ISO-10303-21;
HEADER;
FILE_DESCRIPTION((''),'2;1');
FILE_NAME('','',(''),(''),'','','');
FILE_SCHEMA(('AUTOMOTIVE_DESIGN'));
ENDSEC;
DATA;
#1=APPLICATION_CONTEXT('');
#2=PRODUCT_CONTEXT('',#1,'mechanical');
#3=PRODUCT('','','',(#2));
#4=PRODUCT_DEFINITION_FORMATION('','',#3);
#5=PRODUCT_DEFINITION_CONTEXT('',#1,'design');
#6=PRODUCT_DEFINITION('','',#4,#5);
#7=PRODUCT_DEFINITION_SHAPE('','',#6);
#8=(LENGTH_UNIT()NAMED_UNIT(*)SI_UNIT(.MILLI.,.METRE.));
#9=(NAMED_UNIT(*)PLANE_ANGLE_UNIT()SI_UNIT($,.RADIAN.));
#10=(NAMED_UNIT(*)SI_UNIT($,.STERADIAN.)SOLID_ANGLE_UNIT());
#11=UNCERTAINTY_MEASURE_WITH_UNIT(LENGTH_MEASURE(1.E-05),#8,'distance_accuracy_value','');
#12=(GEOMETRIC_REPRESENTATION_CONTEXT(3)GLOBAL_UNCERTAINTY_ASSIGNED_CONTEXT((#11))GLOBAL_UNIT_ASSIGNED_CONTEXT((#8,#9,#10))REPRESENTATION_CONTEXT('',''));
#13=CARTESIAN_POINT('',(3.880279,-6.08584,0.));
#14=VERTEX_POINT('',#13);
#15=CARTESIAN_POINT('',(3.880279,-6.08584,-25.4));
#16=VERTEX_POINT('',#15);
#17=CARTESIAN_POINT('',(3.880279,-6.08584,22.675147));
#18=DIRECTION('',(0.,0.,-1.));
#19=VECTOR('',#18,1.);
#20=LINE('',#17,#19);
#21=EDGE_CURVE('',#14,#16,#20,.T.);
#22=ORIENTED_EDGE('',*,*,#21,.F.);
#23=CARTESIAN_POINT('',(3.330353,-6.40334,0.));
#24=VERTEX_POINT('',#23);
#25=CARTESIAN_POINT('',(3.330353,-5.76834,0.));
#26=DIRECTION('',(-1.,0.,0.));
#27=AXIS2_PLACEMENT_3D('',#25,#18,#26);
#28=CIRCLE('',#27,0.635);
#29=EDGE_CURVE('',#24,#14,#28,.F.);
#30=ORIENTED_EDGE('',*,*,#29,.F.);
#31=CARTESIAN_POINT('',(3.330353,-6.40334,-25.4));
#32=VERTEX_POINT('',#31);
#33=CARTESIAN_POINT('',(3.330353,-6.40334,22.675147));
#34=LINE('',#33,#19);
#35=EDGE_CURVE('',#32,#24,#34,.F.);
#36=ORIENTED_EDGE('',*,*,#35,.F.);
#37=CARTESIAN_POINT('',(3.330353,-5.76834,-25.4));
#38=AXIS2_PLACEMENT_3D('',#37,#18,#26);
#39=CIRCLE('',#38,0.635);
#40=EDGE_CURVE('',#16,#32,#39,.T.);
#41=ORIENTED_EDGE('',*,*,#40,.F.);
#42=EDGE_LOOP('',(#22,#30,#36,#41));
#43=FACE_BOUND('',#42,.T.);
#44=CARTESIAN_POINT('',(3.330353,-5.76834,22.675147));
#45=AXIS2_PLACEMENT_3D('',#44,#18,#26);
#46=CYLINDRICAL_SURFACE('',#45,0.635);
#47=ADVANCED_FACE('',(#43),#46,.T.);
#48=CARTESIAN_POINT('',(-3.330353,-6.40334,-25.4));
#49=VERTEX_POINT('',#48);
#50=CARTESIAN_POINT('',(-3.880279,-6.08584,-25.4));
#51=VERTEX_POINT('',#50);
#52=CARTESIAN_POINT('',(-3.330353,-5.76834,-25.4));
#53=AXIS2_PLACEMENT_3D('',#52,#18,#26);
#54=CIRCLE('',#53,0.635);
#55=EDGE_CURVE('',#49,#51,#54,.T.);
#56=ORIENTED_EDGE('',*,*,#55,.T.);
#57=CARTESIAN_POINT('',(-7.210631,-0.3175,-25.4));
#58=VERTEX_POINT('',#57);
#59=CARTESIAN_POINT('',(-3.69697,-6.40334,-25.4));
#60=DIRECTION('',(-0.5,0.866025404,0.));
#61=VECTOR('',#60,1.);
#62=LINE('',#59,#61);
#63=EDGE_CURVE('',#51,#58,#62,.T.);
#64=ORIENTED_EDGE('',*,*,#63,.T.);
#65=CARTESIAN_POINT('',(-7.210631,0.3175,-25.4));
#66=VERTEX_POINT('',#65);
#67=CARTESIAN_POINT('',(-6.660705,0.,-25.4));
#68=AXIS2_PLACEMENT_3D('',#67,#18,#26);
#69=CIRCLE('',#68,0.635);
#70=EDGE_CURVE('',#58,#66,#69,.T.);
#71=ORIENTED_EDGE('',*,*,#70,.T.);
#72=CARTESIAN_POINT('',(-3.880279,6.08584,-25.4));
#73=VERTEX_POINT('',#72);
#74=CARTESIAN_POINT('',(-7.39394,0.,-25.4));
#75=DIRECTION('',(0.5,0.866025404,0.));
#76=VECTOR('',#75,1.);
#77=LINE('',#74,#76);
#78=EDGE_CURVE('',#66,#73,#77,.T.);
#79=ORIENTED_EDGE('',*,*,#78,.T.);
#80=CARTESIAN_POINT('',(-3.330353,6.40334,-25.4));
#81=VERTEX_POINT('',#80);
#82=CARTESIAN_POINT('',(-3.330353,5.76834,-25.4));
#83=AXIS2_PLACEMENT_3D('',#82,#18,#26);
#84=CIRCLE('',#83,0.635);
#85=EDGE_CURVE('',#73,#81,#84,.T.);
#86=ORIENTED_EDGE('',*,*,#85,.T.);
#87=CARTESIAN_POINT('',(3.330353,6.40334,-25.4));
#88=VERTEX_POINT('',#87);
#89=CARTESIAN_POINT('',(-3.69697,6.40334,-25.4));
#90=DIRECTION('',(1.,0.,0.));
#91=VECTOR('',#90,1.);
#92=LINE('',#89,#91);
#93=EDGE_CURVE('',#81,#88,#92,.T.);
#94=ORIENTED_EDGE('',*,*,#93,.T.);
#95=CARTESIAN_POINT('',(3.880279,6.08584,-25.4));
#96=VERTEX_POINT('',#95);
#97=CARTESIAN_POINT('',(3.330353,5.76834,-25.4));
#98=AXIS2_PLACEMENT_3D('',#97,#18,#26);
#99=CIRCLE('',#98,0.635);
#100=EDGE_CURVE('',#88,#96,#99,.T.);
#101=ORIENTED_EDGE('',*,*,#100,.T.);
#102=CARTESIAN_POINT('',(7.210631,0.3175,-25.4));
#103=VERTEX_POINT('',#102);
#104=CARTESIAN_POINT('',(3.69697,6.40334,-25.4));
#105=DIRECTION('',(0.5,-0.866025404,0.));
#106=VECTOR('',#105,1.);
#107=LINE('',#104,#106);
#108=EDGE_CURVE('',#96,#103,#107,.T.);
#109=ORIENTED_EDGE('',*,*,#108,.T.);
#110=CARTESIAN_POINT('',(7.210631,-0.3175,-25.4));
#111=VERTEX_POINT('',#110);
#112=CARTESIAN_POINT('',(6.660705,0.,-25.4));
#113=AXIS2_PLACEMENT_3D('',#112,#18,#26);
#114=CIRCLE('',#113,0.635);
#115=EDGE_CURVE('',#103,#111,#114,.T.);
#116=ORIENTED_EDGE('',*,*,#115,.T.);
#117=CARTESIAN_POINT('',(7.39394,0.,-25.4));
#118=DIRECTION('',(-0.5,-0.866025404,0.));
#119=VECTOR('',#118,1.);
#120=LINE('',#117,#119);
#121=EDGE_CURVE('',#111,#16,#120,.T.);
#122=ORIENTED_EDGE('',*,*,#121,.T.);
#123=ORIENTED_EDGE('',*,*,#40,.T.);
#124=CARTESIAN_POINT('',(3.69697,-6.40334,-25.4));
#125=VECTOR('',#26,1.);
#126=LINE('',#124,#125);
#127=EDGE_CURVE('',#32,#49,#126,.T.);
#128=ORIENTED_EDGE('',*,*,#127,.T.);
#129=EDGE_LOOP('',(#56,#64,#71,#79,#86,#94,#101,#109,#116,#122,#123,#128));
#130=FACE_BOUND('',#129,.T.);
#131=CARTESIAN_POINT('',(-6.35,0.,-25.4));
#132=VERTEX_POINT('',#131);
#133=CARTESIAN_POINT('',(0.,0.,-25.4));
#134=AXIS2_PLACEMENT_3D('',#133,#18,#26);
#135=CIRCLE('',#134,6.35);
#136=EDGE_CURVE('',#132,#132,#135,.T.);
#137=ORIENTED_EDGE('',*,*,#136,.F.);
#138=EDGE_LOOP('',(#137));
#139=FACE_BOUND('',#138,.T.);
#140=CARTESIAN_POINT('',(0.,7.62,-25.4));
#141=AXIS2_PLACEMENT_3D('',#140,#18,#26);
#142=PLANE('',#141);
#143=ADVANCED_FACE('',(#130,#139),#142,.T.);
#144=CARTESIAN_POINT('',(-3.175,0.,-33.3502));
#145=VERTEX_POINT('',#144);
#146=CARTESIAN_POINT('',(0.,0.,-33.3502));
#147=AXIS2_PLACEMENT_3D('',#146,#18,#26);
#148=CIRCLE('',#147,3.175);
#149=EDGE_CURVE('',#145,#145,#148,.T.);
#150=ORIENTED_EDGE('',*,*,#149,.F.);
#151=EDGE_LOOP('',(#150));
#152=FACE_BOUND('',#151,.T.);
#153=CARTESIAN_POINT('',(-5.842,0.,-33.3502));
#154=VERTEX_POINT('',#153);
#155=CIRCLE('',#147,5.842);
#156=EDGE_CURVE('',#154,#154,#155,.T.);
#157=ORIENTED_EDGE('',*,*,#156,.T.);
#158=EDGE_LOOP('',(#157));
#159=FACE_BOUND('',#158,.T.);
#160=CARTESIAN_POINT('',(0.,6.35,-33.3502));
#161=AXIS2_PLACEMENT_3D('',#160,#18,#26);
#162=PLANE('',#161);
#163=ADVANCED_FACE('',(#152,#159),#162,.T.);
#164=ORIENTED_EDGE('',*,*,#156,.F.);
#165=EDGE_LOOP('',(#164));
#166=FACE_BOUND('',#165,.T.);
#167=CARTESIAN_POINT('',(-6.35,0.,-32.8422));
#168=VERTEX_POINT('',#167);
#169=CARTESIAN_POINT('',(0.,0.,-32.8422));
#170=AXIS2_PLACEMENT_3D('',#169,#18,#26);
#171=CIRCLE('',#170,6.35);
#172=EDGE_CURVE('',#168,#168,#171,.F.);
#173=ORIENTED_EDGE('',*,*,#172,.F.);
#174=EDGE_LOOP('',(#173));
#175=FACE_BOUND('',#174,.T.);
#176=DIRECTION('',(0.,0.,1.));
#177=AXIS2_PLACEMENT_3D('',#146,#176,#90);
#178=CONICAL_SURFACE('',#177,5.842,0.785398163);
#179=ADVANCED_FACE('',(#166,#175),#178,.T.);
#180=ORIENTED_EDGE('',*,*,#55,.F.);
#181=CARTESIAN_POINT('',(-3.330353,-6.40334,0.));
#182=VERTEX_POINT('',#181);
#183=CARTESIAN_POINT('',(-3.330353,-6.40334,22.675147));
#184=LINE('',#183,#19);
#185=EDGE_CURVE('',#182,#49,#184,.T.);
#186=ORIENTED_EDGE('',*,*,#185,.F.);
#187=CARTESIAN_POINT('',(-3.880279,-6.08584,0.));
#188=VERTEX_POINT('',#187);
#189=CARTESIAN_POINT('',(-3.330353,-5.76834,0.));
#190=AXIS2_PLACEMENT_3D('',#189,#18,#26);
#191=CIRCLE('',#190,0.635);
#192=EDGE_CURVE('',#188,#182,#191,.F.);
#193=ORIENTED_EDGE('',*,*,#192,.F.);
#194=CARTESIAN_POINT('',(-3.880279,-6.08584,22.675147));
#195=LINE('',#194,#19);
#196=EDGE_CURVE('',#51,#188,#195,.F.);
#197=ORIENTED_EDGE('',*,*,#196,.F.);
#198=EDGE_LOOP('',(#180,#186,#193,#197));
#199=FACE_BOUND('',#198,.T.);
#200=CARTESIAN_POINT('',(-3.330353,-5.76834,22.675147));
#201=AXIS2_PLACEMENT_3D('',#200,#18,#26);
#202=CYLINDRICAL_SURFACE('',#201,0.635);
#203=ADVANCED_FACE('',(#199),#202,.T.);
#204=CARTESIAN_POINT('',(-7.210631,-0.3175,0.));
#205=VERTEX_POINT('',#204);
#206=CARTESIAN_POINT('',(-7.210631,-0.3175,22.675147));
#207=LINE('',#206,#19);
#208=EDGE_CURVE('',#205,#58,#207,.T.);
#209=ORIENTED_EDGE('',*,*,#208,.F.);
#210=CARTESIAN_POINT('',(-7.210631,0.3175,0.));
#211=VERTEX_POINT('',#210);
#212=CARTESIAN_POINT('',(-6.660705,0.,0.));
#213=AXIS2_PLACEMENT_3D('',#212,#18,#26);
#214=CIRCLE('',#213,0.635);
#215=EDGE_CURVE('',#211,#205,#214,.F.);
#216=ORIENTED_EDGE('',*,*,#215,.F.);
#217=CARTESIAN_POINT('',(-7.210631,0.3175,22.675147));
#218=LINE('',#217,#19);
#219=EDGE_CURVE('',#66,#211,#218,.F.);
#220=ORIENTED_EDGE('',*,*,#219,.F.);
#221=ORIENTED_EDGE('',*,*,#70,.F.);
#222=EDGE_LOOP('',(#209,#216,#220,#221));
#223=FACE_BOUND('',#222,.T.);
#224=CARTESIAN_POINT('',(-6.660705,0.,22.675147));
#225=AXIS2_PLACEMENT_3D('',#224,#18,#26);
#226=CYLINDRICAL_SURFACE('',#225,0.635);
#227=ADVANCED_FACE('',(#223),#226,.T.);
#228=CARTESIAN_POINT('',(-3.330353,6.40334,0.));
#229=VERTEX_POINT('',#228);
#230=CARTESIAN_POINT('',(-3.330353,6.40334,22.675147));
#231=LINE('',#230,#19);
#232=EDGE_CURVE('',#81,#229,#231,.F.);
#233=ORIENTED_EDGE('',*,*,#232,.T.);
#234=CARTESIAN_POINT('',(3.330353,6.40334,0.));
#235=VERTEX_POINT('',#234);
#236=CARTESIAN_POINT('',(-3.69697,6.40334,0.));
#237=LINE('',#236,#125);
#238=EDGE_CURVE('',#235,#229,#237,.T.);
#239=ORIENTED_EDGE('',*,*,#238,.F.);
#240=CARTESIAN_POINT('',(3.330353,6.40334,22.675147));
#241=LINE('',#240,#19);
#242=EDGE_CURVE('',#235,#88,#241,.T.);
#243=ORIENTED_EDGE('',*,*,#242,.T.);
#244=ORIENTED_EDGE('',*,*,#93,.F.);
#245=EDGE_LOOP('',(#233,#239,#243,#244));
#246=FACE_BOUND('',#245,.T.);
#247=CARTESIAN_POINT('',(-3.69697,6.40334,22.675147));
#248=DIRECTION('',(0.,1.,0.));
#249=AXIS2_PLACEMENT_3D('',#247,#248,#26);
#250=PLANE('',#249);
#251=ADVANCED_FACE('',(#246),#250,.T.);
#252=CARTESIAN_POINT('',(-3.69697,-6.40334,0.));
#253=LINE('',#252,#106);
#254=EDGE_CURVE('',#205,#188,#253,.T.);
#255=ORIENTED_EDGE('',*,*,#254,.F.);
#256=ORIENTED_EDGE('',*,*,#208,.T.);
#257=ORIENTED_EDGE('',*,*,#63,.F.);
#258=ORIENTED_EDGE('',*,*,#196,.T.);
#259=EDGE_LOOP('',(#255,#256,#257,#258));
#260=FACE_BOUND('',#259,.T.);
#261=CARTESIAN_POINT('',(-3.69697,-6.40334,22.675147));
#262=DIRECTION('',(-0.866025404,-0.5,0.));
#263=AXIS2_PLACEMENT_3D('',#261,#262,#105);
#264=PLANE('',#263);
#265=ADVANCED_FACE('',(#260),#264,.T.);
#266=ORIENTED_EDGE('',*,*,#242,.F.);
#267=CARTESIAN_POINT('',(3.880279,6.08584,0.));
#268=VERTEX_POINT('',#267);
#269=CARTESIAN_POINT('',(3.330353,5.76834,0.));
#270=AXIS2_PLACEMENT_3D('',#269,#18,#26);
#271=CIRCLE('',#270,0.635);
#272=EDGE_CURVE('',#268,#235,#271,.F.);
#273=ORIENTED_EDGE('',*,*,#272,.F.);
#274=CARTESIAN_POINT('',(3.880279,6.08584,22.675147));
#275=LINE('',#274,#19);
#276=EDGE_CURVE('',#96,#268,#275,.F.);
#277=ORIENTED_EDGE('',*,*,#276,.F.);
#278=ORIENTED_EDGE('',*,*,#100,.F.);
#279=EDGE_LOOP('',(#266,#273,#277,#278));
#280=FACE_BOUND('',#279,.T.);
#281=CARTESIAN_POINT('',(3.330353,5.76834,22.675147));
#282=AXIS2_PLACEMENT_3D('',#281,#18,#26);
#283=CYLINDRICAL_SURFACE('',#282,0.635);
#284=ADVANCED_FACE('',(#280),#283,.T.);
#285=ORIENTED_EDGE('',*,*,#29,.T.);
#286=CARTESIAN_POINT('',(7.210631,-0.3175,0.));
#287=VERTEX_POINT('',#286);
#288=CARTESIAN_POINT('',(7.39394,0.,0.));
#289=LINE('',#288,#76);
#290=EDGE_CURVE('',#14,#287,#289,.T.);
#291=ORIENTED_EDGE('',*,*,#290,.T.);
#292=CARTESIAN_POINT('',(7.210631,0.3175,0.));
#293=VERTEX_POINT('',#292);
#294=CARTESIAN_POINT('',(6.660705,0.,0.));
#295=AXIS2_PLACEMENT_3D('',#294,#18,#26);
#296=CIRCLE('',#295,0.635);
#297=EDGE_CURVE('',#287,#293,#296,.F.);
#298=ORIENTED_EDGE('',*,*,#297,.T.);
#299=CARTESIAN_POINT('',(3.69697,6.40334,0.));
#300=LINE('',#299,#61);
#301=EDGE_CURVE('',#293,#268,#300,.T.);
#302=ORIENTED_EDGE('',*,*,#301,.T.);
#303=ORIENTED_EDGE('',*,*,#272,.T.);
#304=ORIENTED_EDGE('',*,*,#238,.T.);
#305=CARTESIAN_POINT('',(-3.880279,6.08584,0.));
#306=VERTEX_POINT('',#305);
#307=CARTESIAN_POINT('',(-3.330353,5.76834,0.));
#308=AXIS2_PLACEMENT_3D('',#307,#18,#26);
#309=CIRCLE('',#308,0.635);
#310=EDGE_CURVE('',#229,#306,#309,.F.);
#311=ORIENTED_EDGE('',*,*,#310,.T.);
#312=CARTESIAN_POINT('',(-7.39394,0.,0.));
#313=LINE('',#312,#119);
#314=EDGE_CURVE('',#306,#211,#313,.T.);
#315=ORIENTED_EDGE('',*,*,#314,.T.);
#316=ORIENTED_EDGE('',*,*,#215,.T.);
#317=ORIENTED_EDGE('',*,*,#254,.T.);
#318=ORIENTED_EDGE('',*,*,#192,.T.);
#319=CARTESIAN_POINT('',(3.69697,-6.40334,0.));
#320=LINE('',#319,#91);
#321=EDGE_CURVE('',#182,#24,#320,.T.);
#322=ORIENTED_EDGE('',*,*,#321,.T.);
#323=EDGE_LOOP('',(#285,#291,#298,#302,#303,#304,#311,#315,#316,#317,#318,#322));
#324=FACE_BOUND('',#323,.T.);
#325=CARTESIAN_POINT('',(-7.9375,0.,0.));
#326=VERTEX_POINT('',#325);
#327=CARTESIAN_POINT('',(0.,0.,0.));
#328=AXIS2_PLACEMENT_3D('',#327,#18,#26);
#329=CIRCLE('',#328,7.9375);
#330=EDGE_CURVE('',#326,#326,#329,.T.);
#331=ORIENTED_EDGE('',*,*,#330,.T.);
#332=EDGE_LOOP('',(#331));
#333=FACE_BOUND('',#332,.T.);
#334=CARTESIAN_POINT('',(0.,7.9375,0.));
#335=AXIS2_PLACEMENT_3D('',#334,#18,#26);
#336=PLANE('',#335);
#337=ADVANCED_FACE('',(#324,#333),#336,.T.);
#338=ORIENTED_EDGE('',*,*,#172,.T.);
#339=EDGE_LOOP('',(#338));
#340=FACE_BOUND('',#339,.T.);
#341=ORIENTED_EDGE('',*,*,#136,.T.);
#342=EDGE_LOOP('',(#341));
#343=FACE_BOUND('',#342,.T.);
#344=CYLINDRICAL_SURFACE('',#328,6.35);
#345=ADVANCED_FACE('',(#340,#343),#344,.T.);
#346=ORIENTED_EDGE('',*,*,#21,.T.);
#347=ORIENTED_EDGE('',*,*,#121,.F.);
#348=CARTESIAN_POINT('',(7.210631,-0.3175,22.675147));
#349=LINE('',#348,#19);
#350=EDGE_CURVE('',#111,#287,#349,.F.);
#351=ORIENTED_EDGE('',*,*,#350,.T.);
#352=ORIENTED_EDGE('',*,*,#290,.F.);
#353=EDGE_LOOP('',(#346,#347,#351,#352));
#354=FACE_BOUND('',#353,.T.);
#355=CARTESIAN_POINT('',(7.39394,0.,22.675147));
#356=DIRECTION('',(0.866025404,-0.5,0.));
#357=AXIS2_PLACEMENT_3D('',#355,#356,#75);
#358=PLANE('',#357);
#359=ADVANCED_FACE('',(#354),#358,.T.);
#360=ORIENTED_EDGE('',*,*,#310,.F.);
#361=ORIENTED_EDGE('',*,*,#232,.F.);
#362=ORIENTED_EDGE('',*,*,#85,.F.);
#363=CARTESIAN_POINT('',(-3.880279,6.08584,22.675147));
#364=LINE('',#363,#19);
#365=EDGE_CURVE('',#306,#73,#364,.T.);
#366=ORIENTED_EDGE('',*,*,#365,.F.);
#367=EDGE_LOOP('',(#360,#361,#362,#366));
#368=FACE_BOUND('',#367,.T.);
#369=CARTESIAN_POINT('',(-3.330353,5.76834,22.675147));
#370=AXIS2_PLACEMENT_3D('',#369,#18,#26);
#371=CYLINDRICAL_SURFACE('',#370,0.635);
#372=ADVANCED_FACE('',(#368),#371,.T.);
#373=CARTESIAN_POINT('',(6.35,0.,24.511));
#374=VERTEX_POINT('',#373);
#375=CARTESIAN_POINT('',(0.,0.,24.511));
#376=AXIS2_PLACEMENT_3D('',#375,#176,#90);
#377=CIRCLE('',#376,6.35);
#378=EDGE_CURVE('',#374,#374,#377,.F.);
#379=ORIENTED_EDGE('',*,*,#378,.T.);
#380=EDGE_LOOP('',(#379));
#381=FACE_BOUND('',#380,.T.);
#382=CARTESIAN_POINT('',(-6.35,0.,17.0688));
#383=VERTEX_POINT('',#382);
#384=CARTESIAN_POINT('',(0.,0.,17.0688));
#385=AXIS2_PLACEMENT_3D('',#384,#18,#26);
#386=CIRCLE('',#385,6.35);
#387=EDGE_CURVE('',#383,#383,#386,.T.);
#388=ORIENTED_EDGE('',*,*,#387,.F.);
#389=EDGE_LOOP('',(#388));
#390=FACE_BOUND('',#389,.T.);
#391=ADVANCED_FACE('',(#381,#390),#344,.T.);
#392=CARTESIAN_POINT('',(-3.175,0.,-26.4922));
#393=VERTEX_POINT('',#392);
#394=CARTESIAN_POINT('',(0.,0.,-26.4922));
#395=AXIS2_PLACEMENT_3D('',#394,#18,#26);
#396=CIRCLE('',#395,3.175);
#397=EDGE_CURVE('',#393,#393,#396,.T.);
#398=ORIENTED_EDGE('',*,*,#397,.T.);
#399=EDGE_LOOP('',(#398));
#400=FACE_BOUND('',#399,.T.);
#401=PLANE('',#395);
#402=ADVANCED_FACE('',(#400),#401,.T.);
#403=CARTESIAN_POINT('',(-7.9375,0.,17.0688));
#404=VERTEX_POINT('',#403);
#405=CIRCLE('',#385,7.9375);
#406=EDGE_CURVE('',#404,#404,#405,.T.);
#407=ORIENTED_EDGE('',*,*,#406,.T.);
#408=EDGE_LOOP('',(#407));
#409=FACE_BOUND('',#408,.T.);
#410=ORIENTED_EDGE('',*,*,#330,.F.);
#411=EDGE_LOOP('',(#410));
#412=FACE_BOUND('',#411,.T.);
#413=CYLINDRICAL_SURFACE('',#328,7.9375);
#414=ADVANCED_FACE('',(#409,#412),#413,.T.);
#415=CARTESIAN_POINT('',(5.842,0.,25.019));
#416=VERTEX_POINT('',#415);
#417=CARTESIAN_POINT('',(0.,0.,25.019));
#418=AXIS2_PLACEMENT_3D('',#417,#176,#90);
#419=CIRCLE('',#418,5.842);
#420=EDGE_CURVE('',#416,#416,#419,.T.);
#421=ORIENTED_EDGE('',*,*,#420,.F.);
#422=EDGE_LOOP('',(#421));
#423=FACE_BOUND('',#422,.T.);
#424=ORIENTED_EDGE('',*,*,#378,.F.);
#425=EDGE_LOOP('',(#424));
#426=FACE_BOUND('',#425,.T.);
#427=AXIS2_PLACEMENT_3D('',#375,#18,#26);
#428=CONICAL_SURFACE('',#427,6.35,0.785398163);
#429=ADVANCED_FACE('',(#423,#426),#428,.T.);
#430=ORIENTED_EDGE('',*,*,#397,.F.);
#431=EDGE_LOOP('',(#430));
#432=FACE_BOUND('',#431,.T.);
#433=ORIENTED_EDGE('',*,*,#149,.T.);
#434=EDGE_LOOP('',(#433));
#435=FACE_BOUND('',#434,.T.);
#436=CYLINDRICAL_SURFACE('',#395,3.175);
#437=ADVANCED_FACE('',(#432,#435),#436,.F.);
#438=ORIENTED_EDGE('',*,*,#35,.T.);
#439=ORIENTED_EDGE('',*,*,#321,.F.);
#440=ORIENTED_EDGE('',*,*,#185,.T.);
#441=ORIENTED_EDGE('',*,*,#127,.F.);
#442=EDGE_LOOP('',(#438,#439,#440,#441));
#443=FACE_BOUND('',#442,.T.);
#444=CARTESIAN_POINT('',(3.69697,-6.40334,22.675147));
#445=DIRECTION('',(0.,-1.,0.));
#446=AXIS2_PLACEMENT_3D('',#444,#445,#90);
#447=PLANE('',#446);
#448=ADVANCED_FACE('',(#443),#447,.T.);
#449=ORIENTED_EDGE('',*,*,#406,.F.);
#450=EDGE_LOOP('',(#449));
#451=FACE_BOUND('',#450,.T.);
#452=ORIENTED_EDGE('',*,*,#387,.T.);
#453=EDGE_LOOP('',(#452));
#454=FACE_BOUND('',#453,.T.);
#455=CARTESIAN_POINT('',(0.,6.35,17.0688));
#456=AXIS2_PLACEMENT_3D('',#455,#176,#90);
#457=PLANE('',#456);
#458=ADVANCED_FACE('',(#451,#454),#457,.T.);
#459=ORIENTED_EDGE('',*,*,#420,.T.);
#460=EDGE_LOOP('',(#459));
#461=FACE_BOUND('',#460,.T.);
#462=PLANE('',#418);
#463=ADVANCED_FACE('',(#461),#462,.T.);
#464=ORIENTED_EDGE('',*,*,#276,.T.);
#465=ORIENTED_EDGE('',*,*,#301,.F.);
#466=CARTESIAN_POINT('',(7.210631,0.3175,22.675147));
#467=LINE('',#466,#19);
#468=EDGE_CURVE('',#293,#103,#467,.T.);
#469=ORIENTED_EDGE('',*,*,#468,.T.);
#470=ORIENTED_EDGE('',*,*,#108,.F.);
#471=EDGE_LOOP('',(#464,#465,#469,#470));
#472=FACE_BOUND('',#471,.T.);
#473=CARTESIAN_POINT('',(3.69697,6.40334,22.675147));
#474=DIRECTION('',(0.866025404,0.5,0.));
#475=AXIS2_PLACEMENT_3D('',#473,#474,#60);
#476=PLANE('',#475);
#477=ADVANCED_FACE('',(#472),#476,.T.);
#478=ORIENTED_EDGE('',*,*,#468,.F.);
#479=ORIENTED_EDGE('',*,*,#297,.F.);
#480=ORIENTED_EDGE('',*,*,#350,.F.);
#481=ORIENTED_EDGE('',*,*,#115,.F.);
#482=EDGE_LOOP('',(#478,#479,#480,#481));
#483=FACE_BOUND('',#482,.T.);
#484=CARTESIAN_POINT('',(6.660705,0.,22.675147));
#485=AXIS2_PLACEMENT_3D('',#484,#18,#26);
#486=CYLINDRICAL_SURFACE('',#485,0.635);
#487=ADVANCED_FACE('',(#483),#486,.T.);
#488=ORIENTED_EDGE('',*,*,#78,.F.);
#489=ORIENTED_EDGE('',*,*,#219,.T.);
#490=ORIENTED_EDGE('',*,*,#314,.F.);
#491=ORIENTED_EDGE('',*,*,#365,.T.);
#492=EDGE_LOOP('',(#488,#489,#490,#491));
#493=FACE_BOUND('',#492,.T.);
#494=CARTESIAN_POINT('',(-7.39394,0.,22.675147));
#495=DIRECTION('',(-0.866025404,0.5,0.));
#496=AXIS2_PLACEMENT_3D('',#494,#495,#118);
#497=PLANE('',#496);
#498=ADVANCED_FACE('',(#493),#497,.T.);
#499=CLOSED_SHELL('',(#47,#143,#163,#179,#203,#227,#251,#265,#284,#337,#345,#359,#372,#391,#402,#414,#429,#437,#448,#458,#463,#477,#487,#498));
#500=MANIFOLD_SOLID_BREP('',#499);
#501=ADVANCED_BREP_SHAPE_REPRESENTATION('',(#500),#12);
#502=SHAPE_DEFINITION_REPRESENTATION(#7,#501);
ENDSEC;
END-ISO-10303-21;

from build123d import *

# Parameters (mm, degrees)
SKETCH2_OUTSIDE_W  = 30.382
SKETCH2_OUTSIDE_H  = 30.382
CUT_EXTRUDE1_DEPTH = 25.4
CHAMFER1_SIZE      = 0.508
SKETCH3_R          = 3.175
CUT_EXTRUDE2_DEPTH = 6.858
FILLET1_R          = 0.635


with BuildPart() as part:
    # Sketch1 → Revolve1 (revolve)
    with BuildSketch(Plane(origin=(0, 0, 0), x_dir=(0, 0, -1), z_dir=(1, 0, 0)), mode=Mode.PRIVATE) as revolve1_sk:
        Polygon((-25.019, 0), (-25.019, 6.35), (-17.0688, 6.35), (-17.0688, 7.9375), (0, 7.9375), (0, 7.62), (25.4, 7.62), (25.4, 6.35), (33.3502, 6.35), (33.3502, 0), align=None)
    revolve(revolve1_sk.sketch.rotate(Axis((0, 0, 0), (0, 0, 1)), 90), axis=Axis((0, 0, 0), (0, 0, 1)))

    # Sketch2 outside → Cut-Extrude1 (cut)
    with BuildSketch(Plane(origin=(0, 0, -25.4), x_dir=(-1, 0, 0), z_dir=(0, 0, -1))):
        Rectangle(SKETCH2_OUTSIDE_W, SKETCH2_OUTSIDE_H)
        Polygon((3.696970073, 6.40334), (-3.696970073, 6.40334), (-7.393940145, 0), (-3.696970073, -6.40334), (3.696970073, -6.40334), (7.393940145, 0), align=None, mode=Mode.SUBTRACT)
    extrude(amount=-CUT_EXTRUDE1_DEPTH, mode=Mode.SUBTRACT)

    # Chamfer1
    chamfer1_edges = [part.edges().sort_by_distance(p)[0] for p in [
        (6.35, 0, 25.019),
        (6.35, 0, -33.3502),
    ]]
    chamfer(chamfer1_edges, length=CHAMFER1_SIZE)

    # Sketch3 → Cut-Extrude2 (cut)
    with BuildSketch(Plane(origin=(0, 0, -33.3502), x_dir=(-1, 0, 0), z_dir=(0, 0, -1))):
        Circle(SKETCH3_R)
    extrude(amount=-CUT_EXTRUDE2_DEPTH, mode=Mode.SUBTRACT)

    # Fillet1
    fillet1_edges = [part.edges().sort_by_distance(p)[0] for p in [
        (-3.696970073, 6.40334, -12.7),
        (3.696970073, 6.40334, -12.7),
        (7.393940145, 0, -12.7),
        (3.696970073, -6.40334, -12.7),
        (-3.696970073, -6.40334, -12.7),
        (-7.393940145, 0, -12.7),
    ]]
    fillet(fillet1_edges, radius=FILLET1_R)


solid = part.part
